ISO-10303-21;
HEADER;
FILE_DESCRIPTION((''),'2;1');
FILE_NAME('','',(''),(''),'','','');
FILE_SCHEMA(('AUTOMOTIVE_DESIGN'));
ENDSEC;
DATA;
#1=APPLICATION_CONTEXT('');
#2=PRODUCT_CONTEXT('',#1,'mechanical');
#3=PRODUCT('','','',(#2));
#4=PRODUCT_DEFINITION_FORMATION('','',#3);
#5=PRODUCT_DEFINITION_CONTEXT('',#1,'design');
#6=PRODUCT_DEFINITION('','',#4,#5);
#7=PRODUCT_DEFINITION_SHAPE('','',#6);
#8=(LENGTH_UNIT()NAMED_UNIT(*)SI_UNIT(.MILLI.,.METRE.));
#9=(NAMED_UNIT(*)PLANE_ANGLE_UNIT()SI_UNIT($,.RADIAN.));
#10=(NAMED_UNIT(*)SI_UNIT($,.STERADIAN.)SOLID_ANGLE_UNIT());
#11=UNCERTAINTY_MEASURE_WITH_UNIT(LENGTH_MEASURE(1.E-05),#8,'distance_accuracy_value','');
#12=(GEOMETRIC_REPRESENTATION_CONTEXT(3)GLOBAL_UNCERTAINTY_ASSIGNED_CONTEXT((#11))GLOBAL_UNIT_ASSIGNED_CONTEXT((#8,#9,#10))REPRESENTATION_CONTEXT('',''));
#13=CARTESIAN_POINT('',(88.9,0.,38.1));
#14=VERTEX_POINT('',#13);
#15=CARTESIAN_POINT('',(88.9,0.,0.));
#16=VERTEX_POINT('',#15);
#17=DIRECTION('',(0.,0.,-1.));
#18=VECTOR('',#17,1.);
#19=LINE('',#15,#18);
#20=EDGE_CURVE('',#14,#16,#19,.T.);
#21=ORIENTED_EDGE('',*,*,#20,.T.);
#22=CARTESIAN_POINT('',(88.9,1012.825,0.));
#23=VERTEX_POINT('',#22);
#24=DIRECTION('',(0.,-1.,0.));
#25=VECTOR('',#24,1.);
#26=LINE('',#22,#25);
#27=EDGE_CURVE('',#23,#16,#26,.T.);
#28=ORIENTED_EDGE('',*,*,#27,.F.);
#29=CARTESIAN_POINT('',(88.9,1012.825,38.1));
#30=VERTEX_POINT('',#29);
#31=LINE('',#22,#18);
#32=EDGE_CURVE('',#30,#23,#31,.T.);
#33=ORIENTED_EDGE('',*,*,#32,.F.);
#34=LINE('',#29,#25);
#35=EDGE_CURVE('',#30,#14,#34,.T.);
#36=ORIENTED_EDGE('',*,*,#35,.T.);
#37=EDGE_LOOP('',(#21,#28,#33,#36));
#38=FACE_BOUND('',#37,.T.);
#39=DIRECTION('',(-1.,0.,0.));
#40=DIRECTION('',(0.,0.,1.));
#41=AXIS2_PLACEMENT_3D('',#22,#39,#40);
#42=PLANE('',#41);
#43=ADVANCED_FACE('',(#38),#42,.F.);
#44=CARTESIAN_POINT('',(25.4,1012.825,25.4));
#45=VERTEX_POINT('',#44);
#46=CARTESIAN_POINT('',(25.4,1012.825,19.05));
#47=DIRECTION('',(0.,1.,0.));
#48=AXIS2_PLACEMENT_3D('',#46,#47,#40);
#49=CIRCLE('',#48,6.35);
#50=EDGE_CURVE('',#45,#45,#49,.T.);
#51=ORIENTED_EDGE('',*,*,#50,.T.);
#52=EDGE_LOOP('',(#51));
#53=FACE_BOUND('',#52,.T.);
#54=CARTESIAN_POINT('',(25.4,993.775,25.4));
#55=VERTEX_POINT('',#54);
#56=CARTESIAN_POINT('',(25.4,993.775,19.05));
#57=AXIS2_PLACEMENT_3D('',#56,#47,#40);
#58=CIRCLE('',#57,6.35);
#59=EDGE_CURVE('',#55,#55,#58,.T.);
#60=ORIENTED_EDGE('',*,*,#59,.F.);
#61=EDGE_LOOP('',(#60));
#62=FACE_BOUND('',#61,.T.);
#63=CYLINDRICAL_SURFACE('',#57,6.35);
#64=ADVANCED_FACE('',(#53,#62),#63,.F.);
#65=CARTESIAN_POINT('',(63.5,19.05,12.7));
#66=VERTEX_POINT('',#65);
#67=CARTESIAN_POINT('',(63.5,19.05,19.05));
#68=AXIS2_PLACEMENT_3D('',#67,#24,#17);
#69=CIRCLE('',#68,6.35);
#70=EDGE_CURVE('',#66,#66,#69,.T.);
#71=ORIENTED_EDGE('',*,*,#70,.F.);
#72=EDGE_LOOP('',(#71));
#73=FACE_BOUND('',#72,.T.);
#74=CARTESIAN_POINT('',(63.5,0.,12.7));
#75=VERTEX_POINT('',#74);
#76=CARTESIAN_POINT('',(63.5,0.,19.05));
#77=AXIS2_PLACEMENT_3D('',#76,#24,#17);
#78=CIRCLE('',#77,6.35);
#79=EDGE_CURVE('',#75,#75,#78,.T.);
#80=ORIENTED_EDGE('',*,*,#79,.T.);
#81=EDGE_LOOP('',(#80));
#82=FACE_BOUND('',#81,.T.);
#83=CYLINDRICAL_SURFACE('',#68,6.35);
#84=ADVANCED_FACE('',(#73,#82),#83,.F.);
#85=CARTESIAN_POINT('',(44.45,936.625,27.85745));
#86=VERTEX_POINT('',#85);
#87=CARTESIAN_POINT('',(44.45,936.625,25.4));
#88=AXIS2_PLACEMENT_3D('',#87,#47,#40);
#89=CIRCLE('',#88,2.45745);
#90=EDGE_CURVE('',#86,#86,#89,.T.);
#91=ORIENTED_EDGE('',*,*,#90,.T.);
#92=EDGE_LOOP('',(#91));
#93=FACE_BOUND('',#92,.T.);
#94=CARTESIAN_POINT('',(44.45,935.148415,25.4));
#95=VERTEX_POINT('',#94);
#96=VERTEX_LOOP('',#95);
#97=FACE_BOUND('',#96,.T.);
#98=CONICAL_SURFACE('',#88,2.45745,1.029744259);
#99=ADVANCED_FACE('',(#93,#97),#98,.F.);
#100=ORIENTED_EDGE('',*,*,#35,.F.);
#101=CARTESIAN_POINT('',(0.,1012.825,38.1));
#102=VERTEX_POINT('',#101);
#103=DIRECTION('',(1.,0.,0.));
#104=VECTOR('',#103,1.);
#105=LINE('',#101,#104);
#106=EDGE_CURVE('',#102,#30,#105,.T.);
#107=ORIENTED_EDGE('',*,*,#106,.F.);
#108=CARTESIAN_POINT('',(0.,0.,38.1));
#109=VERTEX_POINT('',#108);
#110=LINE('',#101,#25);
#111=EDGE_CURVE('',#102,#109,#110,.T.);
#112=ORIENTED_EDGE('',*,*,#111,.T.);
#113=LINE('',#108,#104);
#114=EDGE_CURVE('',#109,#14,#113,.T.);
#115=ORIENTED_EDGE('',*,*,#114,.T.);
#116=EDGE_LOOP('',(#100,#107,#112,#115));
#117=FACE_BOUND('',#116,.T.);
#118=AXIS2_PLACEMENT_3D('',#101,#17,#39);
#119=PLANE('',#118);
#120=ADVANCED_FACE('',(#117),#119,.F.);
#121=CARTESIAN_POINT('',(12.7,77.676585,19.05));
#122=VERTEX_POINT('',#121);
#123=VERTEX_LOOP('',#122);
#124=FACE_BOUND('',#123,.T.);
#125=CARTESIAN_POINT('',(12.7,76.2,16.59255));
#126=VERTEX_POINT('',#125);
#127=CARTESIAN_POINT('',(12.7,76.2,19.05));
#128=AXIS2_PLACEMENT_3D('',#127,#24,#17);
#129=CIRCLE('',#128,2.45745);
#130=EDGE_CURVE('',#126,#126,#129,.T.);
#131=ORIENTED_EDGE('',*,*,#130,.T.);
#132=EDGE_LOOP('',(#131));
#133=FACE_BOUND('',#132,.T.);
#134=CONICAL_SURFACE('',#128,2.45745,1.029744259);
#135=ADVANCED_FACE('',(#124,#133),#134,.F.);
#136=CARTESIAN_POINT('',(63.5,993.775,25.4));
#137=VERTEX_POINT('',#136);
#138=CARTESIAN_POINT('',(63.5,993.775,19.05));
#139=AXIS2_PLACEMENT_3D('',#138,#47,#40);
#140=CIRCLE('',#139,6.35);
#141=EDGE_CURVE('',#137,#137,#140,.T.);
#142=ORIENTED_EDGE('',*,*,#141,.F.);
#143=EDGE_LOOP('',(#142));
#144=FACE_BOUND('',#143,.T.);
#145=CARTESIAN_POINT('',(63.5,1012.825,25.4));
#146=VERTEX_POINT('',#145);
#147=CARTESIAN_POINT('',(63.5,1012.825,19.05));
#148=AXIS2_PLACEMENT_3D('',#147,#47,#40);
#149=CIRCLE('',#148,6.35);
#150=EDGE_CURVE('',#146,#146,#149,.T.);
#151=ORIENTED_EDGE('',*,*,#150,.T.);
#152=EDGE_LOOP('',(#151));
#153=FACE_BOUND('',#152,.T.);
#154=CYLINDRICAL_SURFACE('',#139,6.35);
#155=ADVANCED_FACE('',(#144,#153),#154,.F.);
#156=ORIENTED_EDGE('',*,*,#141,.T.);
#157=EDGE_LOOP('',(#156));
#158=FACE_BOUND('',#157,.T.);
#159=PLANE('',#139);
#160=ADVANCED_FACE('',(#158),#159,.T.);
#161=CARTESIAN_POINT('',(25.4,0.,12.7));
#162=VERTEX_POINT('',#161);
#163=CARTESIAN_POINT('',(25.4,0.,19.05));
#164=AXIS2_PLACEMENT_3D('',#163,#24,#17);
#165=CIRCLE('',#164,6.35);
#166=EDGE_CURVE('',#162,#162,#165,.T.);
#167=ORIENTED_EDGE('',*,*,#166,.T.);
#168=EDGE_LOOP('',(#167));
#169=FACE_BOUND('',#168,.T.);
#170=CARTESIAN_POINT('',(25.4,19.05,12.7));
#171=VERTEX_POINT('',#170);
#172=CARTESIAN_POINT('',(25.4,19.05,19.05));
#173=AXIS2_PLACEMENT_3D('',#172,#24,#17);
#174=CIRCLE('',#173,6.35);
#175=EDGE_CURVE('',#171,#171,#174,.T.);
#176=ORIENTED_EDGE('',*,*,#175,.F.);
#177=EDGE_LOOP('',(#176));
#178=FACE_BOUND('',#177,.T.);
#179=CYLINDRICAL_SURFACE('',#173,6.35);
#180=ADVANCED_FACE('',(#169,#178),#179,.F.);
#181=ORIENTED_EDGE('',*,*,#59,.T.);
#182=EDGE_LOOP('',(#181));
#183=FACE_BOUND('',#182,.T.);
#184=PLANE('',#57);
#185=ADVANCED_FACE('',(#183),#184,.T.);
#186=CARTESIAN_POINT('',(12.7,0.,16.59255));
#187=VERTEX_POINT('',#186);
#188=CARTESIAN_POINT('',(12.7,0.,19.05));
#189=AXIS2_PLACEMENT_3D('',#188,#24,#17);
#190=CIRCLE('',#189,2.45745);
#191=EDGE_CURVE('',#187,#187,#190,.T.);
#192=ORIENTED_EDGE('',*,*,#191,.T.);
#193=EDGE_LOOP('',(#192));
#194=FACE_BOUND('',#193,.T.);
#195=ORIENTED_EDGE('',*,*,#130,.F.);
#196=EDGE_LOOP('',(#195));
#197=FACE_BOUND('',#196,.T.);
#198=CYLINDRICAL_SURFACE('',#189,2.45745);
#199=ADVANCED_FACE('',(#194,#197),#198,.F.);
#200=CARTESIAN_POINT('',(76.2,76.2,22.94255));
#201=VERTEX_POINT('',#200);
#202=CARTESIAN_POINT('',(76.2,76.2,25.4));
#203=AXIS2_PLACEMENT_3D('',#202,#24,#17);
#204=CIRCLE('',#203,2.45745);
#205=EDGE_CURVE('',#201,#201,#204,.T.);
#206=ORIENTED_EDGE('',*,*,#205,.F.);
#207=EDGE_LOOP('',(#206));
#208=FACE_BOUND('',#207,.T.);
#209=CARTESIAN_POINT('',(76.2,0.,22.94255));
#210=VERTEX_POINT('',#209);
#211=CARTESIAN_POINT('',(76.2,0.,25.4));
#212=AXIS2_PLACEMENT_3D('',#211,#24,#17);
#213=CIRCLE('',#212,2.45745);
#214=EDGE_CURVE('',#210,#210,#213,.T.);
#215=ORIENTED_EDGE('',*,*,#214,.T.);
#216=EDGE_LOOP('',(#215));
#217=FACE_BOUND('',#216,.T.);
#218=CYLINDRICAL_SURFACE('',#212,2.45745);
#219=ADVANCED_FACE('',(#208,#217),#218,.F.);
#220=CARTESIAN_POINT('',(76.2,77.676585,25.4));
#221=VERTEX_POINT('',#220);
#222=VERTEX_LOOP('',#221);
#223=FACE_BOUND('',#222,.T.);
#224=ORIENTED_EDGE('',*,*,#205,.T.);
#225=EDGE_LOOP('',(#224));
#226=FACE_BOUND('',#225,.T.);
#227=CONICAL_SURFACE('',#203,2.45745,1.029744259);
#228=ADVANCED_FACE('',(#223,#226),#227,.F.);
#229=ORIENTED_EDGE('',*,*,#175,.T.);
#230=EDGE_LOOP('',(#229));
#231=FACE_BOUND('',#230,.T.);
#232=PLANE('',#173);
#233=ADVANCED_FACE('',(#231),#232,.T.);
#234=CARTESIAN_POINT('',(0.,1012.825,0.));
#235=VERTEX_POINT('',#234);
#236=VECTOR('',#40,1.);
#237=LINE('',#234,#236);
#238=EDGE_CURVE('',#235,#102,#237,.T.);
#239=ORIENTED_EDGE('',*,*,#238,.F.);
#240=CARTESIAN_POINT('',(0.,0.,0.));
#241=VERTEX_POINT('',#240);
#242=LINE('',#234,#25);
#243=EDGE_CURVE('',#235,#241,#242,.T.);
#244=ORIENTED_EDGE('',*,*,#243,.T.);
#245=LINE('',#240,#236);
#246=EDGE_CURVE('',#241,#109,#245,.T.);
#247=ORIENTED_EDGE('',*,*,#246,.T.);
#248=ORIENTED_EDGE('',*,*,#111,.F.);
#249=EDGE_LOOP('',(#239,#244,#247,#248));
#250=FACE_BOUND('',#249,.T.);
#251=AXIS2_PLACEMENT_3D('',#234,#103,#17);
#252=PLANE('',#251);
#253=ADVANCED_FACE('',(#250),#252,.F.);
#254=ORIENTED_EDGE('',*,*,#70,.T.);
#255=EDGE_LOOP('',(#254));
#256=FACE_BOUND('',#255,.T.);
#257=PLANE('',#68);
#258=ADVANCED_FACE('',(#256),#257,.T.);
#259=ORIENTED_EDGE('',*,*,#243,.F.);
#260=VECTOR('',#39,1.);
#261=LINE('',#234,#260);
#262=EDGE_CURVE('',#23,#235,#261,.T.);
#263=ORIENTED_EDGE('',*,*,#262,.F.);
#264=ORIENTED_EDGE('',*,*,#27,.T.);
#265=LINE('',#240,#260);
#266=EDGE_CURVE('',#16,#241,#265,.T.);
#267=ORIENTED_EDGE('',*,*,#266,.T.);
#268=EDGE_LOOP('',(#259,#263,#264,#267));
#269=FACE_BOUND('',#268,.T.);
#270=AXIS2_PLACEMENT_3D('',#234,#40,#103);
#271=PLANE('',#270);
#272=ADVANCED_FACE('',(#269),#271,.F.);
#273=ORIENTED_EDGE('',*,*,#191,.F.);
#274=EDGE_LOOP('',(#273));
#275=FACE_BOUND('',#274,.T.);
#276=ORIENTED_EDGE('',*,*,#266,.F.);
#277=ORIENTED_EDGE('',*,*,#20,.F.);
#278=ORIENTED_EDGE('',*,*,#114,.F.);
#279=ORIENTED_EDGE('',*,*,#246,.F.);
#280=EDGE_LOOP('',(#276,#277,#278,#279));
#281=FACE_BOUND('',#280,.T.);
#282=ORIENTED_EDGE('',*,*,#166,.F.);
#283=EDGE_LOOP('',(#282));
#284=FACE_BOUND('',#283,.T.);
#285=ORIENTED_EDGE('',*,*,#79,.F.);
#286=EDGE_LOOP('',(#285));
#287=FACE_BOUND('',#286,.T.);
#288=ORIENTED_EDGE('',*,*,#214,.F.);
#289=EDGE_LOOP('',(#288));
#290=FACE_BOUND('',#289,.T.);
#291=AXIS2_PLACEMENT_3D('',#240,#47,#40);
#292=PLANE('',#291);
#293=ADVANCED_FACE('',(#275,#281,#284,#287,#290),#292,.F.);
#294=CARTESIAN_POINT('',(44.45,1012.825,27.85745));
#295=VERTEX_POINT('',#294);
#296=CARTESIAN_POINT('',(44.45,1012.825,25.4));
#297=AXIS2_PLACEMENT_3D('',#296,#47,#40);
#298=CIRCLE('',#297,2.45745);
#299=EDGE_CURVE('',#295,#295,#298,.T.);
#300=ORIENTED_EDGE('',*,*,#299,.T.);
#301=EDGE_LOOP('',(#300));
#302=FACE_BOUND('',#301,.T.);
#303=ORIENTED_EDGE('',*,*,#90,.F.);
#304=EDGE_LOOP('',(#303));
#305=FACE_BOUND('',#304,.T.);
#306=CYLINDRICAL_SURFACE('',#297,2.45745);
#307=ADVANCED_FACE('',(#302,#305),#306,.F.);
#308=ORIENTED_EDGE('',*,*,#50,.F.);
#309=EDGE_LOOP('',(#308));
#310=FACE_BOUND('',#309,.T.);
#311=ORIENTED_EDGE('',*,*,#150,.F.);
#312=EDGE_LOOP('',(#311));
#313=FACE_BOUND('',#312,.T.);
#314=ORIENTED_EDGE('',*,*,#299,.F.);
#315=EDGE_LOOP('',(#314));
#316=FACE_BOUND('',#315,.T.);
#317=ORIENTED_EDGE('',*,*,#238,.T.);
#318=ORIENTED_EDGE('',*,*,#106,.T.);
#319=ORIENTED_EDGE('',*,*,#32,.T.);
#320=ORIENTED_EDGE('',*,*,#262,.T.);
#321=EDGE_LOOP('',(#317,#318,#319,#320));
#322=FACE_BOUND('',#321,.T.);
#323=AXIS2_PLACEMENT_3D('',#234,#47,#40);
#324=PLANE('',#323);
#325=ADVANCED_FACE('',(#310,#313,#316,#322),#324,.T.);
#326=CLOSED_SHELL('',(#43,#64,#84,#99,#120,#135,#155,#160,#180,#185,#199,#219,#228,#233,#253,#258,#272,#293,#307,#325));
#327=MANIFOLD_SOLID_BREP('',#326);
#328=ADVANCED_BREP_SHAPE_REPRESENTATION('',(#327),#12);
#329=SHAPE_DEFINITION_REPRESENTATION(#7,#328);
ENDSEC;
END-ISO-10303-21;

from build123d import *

# Parameters (mm, degrees)
SKETCH1_W                                  = 88.9
SKETCH1_H                                  = 38.1
BOSS_EXTRUDE1_DEPTH                        = 1012.825
SKETCH2_R                                  = 6.35
CUT_EXTRUDE1_DEPTH                         = 19.05
SKETCH3_R                                  = 6.35
CUT_EXTRUDE2_DEPTH                         = 19.05
F_10_0_1935_DIAMETER_HOLE1_D               = 4.9149
F_10_0_1935_DIAMETER_HOLE1_DEPTH           = 76.2
F_10_0_1935_DIAMETER_HOLE1_TIP             = 1.476584928
F_10_0_1935_DIAMETER_HOLE1_ON_FACE_2_D     = 4.9149
F_10_0_1935_DIAMETER_HOLE1_ON_FACE_2_DEPTH = 76.2
F_10_0_1935_DIAMETER_HOLE1_ON_FACE_2_TIP   = 1.476584928


with BuildPart() as part:
    # Sketch1 → Boss-Extrude1 (new body)
    with BuildSketch(Plane(origin=(0, 0, 0), x_dir=(1, 0, 0), z_dir=(0, 1, 0))):
        with Locations((44.45, -19.05)):
            Rectangle(SKETCH1_W, SKETCH1_H)
    extrude(amount=BOSS_EXTRUDE1_DEPTH)

    # Sketch2 → Cut-Extrude1 (cut)
    with BuildSketch(Plane(origin=(0, 1012.825, 0), x_dir=(1, 0, 0), z_dir=(0, 1, 0))):
        with Locations((25.4, -19.05)):
            Circle(SKETCH2_R)
        with Locations((63.5, -19.05)):
            Circle(SKETCH2_R)
    extrude(amount=-CUT_EXTRUDE1_DEPTH, mode=Mode.SUBTRACT)

    # Sketch3 → Cut-Extrude2 (cut)
    with BuildSketch(Plane.XZ):
        with Locations((25.4, 19.05)):
            Circle(SKETCH3_R)
        with Locations((63.5, 19.05)):
            Circle(SKETCH3_R)
    extrude(amount=-CUT_EXTRUDE2_DEPTH, mode=Mode.SUBTRACT)

    # #10 (0.1935) Diameter Hole1
    with Locations(Plane(origin=(44.45, 1012.825, 25.4), x_dir=(0, 0, 1), z_dir=(0, 1, 0))):
        with Locations((0, 0)):
            Hole(F_10_0_1935_DIAMETER_HOLE1_D / 2, depth=F_10_0_1935_DIAMETER_HOLE1_DEPTH)
            with Locations((0, 0, -(F_10_0_1935_DIAMETER_HOLE1_DEPTH + F_10_0_1935_DIAMETER_HOLE1_TIP / 2))):  # 118° drill point
                Cone(0, F_10_0_1935_DIAMETER_HOLE1_D / 2, F_10_0_1935_DIAMETER_HOLE1_TIP, mode=Mode.SUBTRACT)

    # #10 (0.1935) Diameter Hole1 on face 2
    with Locations(Plane(origin=(12.7, 0, 19.05), x_dir=(0, 0, -1), z_dir=(0, -1, 0))):
        with Locations((0, 0), (-6.35, 63.5)):
            Hole(F_10_0_1935_DIAMETER_HOLE1_ON_FACE_2_D / 2, depth=F_10_0_1935_DIAMETER_HOLE1_ON_FACE_2_DEPTH)
            with Locations((0, 0, -(F_10_0_1935_DIAMETER_HOLE1_ON_FACE_2_DEPTH + F_10_0_1935_DIAMETER_HOLE1_ON_FACE_2_TIP / 2))):  # 118° drill point
                Cone(0, F_10_0_1935_DIAMETER_HOLE1_ON_FACE_2_D / 2, F_10_0_1935_DIAMETER_HOLE1_ON_FACE_2_TIP, mode=Mode.SUBTRACT)


solid = part.part
